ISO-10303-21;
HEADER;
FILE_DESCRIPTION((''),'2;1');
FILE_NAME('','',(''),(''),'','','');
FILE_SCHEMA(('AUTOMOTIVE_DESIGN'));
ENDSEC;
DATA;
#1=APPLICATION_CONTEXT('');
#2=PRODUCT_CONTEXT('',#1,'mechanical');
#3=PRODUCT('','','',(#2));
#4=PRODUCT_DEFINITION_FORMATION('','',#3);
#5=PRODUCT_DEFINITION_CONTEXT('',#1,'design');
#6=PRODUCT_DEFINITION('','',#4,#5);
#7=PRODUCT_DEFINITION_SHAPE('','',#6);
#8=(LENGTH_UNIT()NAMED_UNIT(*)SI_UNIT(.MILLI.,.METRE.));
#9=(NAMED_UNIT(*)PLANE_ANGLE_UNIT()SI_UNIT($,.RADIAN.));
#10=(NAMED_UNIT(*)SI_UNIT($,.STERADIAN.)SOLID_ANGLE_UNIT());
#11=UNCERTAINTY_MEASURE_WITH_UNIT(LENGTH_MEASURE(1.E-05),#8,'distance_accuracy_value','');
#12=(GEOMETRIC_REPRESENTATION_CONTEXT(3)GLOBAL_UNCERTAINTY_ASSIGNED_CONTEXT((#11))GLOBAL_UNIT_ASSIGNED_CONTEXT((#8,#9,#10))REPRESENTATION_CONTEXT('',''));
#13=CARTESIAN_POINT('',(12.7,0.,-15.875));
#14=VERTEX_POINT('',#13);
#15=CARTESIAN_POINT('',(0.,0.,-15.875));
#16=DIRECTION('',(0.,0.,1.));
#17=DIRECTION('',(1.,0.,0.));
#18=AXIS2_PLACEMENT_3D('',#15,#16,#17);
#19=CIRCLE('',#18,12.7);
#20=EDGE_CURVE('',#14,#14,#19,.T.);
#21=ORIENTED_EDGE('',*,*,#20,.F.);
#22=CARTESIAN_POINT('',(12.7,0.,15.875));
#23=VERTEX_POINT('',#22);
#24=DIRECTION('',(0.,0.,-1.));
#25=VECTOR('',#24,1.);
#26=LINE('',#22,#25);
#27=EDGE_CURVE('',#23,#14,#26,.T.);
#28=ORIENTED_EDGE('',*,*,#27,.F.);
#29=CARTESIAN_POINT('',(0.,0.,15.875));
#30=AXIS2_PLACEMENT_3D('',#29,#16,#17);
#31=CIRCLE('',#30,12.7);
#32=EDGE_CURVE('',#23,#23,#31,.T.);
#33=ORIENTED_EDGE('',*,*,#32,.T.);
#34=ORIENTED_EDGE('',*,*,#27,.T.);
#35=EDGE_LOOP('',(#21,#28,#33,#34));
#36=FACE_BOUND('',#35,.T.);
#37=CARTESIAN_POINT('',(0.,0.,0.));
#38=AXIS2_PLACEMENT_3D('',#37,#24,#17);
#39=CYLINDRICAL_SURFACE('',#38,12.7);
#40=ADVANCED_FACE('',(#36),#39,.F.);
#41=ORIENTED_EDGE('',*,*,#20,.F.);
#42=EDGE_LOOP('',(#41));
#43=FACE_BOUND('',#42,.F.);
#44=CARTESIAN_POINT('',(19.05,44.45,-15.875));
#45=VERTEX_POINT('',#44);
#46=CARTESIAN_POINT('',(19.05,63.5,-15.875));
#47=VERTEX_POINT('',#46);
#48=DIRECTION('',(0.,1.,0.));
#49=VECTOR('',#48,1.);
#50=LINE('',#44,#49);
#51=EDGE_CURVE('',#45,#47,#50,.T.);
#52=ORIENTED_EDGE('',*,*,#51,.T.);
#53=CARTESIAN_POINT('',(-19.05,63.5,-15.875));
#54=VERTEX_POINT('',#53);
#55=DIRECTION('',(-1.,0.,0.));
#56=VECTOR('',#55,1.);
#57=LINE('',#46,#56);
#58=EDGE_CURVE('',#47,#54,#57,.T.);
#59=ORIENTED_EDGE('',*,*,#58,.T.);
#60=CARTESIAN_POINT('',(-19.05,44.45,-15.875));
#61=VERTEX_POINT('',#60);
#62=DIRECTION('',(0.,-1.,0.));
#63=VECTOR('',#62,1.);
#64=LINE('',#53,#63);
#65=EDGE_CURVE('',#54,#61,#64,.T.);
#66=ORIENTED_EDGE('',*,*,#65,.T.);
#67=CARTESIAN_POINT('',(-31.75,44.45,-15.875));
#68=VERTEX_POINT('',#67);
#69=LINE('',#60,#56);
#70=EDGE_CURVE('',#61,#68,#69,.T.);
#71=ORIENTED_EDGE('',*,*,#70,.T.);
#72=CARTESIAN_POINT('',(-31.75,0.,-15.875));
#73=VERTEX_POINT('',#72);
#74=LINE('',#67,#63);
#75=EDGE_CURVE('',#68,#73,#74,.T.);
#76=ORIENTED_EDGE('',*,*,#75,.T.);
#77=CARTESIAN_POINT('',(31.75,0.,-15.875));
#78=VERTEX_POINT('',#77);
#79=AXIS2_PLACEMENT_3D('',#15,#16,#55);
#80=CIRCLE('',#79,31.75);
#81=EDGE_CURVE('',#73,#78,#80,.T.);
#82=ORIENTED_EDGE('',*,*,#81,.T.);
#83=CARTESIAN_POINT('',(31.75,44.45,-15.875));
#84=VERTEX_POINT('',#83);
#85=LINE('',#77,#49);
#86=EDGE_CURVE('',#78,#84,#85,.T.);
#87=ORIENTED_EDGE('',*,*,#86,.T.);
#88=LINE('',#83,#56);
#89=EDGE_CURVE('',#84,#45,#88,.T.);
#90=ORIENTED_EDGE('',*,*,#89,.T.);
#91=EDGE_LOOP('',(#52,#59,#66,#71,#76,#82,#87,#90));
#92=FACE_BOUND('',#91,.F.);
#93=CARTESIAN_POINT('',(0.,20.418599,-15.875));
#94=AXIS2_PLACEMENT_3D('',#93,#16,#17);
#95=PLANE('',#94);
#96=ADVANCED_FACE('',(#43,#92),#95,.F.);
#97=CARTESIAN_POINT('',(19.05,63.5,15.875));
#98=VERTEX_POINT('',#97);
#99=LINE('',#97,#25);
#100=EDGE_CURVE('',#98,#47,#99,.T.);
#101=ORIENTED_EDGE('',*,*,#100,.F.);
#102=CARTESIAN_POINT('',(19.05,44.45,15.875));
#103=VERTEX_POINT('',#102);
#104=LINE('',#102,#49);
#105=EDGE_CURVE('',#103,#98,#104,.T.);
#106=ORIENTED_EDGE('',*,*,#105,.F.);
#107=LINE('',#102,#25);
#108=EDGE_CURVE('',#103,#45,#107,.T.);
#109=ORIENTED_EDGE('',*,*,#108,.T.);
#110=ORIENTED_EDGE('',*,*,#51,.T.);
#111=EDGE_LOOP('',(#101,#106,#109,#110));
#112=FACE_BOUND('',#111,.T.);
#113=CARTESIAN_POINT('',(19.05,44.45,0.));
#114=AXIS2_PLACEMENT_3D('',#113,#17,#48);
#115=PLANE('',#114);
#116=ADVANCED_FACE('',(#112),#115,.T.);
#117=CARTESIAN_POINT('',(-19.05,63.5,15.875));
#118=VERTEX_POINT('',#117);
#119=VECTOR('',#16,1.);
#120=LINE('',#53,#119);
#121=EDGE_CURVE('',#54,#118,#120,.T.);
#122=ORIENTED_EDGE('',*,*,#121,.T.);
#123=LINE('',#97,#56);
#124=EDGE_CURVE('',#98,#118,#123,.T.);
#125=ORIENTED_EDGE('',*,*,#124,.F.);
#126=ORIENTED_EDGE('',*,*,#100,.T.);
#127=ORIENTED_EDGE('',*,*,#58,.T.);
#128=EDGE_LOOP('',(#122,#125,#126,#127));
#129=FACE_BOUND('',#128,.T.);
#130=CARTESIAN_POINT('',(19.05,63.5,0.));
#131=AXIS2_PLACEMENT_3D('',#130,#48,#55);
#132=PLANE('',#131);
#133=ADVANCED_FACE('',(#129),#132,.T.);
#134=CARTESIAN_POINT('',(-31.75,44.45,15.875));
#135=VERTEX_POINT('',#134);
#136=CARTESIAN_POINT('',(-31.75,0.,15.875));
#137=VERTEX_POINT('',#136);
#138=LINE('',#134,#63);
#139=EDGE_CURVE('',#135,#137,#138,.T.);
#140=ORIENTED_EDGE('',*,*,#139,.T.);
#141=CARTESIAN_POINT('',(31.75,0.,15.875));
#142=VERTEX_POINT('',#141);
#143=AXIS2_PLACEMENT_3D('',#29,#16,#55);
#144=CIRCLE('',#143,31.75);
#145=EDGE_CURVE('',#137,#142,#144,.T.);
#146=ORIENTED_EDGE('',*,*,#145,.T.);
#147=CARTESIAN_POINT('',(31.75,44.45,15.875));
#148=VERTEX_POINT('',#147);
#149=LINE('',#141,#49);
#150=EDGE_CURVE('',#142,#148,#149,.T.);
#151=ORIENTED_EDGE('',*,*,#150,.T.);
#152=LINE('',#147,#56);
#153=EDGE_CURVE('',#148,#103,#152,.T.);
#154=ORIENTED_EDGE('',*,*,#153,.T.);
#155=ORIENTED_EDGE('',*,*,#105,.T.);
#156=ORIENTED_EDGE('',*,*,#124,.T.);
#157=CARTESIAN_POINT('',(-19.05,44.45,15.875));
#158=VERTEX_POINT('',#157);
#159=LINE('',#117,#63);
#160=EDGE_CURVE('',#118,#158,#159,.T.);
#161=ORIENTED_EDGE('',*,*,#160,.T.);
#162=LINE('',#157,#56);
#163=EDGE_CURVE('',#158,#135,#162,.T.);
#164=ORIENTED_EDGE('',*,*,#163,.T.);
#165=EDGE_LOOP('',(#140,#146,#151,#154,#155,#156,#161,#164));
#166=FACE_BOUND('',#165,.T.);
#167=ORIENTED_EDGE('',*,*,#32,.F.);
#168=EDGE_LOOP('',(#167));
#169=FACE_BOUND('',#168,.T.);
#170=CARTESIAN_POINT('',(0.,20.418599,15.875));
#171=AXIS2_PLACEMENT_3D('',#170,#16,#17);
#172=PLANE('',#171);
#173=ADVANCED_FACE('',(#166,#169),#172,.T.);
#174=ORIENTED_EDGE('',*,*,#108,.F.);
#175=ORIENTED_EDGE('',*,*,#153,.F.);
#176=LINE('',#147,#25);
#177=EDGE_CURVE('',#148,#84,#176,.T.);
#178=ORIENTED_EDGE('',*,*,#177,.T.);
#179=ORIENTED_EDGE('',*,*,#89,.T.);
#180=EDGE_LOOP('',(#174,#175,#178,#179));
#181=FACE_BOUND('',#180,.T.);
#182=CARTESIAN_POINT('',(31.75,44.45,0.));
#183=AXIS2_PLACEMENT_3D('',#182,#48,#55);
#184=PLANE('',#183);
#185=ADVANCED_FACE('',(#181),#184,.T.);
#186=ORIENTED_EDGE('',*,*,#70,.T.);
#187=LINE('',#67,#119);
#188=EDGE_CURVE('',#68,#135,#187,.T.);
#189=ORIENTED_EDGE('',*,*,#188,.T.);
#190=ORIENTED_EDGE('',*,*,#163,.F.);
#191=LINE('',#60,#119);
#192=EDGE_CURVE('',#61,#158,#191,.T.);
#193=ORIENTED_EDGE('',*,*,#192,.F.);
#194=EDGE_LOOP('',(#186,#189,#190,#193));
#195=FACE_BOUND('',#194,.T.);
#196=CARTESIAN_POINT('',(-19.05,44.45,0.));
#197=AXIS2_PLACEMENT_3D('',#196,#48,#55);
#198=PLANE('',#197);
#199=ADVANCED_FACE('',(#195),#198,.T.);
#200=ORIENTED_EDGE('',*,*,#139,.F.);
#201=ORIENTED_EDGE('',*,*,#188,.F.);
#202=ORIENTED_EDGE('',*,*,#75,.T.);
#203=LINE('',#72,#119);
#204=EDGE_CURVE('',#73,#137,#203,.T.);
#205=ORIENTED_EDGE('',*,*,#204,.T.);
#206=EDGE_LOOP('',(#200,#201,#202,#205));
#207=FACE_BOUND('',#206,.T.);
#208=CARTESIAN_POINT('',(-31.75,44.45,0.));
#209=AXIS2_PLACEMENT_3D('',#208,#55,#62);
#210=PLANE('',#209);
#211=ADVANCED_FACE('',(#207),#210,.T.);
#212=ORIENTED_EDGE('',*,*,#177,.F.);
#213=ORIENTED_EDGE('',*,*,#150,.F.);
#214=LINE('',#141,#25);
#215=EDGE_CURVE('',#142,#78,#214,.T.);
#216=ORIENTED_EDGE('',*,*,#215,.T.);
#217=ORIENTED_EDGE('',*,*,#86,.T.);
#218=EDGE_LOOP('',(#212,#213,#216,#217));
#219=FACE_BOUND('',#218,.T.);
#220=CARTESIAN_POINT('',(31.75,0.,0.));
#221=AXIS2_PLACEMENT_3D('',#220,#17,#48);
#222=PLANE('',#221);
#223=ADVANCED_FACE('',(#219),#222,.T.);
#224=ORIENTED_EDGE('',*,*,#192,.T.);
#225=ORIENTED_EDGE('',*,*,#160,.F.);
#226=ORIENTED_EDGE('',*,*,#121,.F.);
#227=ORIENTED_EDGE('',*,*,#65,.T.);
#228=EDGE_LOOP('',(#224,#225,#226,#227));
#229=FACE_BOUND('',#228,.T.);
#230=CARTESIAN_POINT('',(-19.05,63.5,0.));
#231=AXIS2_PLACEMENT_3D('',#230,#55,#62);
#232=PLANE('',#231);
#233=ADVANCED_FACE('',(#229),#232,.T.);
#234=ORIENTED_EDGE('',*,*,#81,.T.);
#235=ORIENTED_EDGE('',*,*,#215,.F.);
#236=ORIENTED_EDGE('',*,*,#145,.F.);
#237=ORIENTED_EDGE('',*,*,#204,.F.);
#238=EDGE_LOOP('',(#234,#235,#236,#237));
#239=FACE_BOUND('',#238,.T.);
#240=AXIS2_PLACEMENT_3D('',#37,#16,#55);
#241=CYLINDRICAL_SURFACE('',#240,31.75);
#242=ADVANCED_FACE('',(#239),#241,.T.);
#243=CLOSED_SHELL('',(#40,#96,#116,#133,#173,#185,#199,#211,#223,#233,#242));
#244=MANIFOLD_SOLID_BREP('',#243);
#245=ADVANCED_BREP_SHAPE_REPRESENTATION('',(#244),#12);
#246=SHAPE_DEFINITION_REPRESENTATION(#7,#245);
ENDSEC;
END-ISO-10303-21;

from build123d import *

# Parameters (mm, degrees)
F0_R     = 12.7
F1_DEPTH = 15.875


with BuildPart() as f1:
    # F0 (on Top) → F1 (new body, symmetric)
    with BuildSketch(Plane.XY):
        with BuildLine():
            Line((19.05, 63.5), (-19.05, 63.5))
            Line((-19.05, 63.5), (-19.05, 44.45))
            Line((-19.05, 44.45), (-31.75, 44.45))
            Line((-31.75, 44.45), (-31.75, 0))
            ThreePointArc((-31.75, 0), (0, -31.75), (31.75, 0))
            Line((31.75, 0), (31.75, 44.45))
            Line((31.75, 44.45), (19.05, 44.45))
            Line((19.05, 44.45), (19.05, 63.5))
        make_face()
        Circle(F0_R, mode=Mode.SUBTRACT)
    extrude(amount=F1_DEPTH, both=True)


solid = f1.part
